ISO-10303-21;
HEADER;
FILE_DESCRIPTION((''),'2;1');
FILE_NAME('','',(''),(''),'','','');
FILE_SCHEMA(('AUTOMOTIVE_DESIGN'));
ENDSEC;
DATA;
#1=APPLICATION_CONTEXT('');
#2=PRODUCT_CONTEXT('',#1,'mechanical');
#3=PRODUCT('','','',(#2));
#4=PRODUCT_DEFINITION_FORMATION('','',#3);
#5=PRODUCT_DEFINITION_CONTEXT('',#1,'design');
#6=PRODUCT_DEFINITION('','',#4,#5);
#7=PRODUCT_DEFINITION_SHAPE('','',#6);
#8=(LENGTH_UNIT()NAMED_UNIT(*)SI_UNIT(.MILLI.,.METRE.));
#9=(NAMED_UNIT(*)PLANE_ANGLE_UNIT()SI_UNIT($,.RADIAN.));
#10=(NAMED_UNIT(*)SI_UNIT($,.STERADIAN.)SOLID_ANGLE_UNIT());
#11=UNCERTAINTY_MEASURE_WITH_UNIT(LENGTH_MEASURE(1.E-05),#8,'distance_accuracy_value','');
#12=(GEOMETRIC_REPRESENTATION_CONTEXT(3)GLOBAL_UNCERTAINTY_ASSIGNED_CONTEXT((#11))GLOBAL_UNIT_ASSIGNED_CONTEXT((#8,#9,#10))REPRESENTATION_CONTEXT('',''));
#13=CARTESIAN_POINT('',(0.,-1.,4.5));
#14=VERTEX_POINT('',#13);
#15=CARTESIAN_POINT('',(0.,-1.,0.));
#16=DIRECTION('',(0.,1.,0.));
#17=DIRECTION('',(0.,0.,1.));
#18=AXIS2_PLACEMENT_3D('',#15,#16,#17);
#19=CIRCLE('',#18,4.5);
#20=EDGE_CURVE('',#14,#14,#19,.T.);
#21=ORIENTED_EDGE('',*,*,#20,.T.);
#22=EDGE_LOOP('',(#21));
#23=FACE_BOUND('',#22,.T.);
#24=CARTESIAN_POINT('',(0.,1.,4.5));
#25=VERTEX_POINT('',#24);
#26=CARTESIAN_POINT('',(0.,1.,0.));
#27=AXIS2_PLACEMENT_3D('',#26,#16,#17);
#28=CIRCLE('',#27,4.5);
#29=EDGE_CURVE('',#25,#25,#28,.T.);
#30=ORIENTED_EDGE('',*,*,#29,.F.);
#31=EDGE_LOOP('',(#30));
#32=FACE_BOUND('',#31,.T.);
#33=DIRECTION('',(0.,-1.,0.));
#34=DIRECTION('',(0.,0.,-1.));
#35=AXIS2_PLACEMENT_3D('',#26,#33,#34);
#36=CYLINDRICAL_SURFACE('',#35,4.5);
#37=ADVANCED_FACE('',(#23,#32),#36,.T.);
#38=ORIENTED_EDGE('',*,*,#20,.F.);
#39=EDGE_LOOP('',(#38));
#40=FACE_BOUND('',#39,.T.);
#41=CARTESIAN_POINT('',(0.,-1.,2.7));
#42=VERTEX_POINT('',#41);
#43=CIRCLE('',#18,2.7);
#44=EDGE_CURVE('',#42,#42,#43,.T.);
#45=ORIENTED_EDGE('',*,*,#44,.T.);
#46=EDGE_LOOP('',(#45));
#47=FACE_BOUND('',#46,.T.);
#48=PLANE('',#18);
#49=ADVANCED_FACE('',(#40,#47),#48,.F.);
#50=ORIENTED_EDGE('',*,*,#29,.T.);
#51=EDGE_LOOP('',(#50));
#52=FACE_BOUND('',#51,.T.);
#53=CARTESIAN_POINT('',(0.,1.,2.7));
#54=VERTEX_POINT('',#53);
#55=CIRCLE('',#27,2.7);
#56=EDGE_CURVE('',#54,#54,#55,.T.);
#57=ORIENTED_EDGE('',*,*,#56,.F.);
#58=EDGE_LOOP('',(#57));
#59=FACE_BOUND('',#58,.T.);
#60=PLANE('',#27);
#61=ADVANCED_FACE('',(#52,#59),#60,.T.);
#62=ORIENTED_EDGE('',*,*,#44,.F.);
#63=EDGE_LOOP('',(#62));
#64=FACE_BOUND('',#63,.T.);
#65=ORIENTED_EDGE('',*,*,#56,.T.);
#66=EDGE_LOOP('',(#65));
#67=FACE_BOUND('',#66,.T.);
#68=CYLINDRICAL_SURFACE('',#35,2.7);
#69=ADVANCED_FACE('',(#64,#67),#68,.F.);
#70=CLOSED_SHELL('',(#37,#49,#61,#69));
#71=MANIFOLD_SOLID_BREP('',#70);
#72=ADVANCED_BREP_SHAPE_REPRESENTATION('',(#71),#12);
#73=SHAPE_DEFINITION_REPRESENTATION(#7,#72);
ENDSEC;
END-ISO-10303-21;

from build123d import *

# Parameters (mm, degrees)
SKETCH1_R           = 4.5
SKETCH1_R_2         = 2.7
BOSS_EXTRUDE1_DEPTH = 1


with BuildPart() as part:
    # Sketch1 → Boss-Extrude1 (new body, symmetric)
    with BuildSketch(Plane(origin=(0, 0, 0), x_dir=(1, 0, 0), z_dir=(0, 1, 0))):
        Circle(SKETCH1_R)
        Circle(SKETCH1_R_2, mode=Mode.SUBTRACT)
    extrude(amount=BOSS_EXTRUDE1_DEPTH, both=True)


solid = part.part
